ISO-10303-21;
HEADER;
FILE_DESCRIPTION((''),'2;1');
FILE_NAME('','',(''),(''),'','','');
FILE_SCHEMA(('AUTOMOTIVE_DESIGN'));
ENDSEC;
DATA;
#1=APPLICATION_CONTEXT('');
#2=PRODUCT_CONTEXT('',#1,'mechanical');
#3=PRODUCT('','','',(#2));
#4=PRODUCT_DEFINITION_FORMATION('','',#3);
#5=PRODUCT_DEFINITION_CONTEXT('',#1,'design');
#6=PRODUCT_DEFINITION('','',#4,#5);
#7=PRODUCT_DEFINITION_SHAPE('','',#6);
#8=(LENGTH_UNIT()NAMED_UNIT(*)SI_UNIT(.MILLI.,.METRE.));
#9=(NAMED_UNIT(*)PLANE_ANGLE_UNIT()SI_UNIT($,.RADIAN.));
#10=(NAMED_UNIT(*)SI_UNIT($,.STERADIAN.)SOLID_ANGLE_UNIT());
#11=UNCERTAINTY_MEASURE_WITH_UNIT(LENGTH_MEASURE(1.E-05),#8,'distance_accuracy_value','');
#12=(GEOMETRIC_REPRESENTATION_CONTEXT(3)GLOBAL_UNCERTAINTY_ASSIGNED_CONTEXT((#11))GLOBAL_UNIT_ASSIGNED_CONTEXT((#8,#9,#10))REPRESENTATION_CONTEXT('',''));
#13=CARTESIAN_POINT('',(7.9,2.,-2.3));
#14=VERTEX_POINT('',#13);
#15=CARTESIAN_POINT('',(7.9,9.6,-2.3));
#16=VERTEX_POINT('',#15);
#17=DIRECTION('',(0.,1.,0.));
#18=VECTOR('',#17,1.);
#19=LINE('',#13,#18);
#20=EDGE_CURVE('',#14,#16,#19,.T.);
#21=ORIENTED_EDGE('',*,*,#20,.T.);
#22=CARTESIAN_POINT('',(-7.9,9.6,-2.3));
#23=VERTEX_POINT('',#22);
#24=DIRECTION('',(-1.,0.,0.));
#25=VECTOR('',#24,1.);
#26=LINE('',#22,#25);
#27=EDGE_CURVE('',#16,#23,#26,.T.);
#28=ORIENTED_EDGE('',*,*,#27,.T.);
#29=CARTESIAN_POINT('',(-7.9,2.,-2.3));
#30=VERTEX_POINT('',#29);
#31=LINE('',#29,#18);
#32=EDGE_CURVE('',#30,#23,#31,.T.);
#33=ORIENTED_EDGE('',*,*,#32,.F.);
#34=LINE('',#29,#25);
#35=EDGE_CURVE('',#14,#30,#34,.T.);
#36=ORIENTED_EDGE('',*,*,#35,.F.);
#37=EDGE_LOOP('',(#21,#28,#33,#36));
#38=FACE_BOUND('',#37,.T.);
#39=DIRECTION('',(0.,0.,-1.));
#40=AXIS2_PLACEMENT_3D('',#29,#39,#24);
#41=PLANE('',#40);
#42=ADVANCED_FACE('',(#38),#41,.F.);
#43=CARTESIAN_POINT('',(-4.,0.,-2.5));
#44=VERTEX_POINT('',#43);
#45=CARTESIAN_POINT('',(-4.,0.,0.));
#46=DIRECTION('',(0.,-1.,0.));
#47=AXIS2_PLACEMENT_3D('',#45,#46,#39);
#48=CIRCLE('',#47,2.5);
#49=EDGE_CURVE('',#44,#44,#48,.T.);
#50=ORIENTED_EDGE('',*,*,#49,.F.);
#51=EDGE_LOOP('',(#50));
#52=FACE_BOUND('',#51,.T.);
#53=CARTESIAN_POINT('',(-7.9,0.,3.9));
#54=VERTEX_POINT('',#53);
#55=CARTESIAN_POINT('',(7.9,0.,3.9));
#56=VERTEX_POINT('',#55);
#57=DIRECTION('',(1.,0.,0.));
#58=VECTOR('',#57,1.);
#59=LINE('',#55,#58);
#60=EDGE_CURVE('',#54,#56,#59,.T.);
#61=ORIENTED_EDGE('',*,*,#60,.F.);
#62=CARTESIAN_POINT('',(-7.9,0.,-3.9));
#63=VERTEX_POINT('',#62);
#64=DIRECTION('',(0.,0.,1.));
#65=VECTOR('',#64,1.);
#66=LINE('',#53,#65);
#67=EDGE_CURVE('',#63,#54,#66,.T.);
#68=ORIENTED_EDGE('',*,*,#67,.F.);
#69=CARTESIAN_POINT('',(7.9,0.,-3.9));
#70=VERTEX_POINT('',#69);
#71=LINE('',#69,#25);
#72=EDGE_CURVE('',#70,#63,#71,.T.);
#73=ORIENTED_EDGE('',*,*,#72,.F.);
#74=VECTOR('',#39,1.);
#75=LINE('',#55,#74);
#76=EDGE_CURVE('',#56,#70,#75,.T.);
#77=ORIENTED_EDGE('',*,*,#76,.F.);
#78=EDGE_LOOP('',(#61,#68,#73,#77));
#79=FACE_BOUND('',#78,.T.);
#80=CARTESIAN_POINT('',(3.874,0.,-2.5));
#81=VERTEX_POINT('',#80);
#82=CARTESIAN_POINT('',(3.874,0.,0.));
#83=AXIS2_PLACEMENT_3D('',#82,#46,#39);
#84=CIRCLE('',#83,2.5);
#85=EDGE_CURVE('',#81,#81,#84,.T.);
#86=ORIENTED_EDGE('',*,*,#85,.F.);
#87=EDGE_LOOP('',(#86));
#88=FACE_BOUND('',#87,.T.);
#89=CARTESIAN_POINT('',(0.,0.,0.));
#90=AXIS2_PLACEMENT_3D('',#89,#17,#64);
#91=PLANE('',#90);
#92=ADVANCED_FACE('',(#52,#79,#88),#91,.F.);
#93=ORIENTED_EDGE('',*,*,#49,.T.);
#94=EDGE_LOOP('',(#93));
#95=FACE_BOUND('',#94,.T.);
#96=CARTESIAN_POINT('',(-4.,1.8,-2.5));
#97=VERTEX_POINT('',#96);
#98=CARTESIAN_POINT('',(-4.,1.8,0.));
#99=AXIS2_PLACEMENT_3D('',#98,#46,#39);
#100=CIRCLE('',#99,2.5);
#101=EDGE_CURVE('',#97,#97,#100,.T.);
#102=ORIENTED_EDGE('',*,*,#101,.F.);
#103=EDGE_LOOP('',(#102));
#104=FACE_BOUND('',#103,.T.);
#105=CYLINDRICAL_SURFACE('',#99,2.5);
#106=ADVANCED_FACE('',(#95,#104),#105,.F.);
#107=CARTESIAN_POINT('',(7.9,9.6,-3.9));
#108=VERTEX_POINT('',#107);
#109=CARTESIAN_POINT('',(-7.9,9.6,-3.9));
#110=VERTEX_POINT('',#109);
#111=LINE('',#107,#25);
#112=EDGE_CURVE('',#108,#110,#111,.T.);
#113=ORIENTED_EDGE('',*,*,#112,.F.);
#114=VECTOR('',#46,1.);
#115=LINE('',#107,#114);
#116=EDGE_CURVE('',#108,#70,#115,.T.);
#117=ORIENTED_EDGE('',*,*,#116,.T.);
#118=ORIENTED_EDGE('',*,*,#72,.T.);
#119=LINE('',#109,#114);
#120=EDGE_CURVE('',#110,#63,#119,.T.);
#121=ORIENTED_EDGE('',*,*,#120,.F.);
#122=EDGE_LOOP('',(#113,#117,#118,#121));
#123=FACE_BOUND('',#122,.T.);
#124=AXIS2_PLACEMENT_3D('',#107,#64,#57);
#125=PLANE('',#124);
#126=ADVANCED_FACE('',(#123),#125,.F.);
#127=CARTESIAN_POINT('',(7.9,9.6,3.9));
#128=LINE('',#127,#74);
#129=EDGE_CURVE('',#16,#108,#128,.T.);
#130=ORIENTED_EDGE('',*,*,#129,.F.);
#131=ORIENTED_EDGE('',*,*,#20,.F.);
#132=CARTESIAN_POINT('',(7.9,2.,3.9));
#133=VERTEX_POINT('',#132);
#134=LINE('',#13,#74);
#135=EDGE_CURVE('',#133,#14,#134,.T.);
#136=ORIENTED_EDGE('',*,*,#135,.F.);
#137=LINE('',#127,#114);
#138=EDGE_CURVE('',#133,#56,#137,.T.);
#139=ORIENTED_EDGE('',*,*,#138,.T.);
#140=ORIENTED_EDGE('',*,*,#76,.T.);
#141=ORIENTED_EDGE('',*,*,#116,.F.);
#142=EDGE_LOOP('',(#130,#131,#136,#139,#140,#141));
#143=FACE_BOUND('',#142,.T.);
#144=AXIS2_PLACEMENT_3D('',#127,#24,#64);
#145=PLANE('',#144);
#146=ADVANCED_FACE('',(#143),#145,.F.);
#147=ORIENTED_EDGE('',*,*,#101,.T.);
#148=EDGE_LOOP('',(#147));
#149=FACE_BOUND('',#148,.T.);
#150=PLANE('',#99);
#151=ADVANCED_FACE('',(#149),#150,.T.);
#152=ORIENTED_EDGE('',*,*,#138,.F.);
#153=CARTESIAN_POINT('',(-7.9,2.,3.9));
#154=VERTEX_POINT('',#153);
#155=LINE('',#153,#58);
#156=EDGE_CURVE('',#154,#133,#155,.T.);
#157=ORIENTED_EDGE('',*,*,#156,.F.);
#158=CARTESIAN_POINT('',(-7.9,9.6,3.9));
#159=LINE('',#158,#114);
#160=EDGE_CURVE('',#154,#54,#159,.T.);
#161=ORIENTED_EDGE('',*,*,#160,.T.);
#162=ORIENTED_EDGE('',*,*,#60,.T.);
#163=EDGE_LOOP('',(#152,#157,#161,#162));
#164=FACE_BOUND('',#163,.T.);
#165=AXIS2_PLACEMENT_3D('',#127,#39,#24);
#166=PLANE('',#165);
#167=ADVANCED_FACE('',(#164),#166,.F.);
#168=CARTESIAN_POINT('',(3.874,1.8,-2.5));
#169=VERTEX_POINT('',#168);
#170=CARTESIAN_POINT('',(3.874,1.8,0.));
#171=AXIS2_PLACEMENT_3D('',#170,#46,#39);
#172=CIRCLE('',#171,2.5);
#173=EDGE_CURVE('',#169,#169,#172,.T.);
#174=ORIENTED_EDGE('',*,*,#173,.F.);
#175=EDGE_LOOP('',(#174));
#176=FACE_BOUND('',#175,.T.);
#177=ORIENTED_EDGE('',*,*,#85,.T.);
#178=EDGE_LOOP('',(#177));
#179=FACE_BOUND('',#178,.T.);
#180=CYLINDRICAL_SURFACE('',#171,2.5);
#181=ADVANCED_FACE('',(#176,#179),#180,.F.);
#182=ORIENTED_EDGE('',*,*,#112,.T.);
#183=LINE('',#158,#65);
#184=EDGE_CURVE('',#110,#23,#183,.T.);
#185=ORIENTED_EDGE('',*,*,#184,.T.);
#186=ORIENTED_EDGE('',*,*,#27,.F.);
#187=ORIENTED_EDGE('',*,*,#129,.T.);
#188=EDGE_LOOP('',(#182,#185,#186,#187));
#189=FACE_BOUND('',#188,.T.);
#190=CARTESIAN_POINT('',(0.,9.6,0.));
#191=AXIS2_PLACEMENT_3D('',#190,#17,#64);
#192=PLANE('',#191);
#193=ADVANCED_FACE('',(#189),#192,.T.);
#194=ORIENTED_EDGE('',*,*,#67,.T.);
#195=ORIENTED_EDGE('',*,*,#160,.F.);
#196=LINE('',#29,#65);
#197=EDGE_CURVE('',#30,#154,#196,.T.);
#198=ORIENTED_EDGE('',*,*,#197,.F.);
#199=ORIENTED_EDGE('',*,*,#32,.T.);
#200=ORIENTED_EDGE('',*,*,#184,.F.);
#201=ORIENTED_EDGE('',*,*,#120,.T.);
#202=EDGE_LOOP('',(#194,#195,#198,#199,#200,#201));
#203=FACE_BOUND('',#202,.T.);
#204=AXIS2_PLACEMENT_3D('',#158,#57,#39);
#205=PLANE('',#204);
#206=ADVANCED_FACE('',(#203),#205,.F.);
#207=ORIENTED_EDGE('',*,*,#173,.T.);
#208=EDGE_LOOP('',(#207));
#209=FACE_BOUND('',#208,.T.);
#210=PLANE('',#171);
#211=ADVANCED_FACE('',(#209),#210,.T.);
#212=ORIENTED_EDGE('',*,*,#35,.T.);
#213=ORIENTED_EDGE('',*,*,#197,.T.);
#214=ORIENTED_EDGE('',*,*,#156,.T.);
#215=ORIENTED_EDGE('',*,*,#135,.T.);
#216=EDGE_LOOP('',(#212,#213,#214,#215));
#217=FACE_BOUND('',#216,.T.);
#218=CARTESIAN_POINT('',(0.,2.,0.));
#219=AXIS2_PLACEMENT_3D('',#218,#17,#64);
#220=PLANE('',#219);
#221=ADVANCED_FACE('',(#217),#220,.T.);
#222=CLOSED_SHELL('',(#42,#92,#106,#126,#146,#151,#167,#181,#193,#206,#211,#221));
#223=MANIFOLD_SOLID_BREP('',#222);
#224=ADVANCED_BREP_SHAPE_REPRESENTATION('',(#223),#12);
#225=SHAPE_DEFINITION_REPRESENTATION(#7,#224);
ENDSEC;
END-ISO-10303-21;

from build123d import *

# Parameters (mm, degrees)
SKETCH_1_W          = 15.8
SKETCH_1_H          = 7.8
EXTRUDE_1_DEPTH     = 9.6
SKETCH_2_W          = 15.8
SKETCH_2_H          = 6.199999898
CUT_EXTRUDE_1_DEPTH = 7.6
SKETCH_3_R          = 2.5
CUT_EXTRUDE_2_DEPTH = 1.8


with BuildPart() as part:
    # Эскиз1 → Бобышка-Вытянуть1 (new body)
    with BuildSketch(Plane(origin=(0, 0, 0), x_dir=(1, 0, 0), z_dir=(0, 1, 0))):
        Rectangle(SKETCH_1_W, SKETCH_1_H)
    extrude(amount=EXTRUDE_1_DEPTH)

    # Эскиз2 → Вырез-Вытянуть1 (cut)
    with BuildSketch(Plane(origin=(0, 9.6, 0), x_dir=(1, 0, 0), z_dir=(0, 1, 0))):
        with Locations((0, -0.800000051)):
            Rectangle(SKETCH_2_W, SKETCH_2_H)
    extrude(amount=-CUT_EXTRUDE_1_DEPTH, mode=Mode.SUBTRACT)

    # Эскиз3 → Вырез-Вытянуть2 (cut)
    with BuildSketch(Plane.XZ):
        with Locations(Location((-4, -7.4e-08, 0), (0, 0, 270))):
            Circle(SKETCH_3_R)
        with Locations(Location((3.874, -7.4e-08, 0), (0, 0, 270))):
            Circle(SKETCH_3_R)
    extrude(amount=-CUT_EXTRUDE_2_DEPTH, mode=Mode.SUBTRACT)


solid = part.part
